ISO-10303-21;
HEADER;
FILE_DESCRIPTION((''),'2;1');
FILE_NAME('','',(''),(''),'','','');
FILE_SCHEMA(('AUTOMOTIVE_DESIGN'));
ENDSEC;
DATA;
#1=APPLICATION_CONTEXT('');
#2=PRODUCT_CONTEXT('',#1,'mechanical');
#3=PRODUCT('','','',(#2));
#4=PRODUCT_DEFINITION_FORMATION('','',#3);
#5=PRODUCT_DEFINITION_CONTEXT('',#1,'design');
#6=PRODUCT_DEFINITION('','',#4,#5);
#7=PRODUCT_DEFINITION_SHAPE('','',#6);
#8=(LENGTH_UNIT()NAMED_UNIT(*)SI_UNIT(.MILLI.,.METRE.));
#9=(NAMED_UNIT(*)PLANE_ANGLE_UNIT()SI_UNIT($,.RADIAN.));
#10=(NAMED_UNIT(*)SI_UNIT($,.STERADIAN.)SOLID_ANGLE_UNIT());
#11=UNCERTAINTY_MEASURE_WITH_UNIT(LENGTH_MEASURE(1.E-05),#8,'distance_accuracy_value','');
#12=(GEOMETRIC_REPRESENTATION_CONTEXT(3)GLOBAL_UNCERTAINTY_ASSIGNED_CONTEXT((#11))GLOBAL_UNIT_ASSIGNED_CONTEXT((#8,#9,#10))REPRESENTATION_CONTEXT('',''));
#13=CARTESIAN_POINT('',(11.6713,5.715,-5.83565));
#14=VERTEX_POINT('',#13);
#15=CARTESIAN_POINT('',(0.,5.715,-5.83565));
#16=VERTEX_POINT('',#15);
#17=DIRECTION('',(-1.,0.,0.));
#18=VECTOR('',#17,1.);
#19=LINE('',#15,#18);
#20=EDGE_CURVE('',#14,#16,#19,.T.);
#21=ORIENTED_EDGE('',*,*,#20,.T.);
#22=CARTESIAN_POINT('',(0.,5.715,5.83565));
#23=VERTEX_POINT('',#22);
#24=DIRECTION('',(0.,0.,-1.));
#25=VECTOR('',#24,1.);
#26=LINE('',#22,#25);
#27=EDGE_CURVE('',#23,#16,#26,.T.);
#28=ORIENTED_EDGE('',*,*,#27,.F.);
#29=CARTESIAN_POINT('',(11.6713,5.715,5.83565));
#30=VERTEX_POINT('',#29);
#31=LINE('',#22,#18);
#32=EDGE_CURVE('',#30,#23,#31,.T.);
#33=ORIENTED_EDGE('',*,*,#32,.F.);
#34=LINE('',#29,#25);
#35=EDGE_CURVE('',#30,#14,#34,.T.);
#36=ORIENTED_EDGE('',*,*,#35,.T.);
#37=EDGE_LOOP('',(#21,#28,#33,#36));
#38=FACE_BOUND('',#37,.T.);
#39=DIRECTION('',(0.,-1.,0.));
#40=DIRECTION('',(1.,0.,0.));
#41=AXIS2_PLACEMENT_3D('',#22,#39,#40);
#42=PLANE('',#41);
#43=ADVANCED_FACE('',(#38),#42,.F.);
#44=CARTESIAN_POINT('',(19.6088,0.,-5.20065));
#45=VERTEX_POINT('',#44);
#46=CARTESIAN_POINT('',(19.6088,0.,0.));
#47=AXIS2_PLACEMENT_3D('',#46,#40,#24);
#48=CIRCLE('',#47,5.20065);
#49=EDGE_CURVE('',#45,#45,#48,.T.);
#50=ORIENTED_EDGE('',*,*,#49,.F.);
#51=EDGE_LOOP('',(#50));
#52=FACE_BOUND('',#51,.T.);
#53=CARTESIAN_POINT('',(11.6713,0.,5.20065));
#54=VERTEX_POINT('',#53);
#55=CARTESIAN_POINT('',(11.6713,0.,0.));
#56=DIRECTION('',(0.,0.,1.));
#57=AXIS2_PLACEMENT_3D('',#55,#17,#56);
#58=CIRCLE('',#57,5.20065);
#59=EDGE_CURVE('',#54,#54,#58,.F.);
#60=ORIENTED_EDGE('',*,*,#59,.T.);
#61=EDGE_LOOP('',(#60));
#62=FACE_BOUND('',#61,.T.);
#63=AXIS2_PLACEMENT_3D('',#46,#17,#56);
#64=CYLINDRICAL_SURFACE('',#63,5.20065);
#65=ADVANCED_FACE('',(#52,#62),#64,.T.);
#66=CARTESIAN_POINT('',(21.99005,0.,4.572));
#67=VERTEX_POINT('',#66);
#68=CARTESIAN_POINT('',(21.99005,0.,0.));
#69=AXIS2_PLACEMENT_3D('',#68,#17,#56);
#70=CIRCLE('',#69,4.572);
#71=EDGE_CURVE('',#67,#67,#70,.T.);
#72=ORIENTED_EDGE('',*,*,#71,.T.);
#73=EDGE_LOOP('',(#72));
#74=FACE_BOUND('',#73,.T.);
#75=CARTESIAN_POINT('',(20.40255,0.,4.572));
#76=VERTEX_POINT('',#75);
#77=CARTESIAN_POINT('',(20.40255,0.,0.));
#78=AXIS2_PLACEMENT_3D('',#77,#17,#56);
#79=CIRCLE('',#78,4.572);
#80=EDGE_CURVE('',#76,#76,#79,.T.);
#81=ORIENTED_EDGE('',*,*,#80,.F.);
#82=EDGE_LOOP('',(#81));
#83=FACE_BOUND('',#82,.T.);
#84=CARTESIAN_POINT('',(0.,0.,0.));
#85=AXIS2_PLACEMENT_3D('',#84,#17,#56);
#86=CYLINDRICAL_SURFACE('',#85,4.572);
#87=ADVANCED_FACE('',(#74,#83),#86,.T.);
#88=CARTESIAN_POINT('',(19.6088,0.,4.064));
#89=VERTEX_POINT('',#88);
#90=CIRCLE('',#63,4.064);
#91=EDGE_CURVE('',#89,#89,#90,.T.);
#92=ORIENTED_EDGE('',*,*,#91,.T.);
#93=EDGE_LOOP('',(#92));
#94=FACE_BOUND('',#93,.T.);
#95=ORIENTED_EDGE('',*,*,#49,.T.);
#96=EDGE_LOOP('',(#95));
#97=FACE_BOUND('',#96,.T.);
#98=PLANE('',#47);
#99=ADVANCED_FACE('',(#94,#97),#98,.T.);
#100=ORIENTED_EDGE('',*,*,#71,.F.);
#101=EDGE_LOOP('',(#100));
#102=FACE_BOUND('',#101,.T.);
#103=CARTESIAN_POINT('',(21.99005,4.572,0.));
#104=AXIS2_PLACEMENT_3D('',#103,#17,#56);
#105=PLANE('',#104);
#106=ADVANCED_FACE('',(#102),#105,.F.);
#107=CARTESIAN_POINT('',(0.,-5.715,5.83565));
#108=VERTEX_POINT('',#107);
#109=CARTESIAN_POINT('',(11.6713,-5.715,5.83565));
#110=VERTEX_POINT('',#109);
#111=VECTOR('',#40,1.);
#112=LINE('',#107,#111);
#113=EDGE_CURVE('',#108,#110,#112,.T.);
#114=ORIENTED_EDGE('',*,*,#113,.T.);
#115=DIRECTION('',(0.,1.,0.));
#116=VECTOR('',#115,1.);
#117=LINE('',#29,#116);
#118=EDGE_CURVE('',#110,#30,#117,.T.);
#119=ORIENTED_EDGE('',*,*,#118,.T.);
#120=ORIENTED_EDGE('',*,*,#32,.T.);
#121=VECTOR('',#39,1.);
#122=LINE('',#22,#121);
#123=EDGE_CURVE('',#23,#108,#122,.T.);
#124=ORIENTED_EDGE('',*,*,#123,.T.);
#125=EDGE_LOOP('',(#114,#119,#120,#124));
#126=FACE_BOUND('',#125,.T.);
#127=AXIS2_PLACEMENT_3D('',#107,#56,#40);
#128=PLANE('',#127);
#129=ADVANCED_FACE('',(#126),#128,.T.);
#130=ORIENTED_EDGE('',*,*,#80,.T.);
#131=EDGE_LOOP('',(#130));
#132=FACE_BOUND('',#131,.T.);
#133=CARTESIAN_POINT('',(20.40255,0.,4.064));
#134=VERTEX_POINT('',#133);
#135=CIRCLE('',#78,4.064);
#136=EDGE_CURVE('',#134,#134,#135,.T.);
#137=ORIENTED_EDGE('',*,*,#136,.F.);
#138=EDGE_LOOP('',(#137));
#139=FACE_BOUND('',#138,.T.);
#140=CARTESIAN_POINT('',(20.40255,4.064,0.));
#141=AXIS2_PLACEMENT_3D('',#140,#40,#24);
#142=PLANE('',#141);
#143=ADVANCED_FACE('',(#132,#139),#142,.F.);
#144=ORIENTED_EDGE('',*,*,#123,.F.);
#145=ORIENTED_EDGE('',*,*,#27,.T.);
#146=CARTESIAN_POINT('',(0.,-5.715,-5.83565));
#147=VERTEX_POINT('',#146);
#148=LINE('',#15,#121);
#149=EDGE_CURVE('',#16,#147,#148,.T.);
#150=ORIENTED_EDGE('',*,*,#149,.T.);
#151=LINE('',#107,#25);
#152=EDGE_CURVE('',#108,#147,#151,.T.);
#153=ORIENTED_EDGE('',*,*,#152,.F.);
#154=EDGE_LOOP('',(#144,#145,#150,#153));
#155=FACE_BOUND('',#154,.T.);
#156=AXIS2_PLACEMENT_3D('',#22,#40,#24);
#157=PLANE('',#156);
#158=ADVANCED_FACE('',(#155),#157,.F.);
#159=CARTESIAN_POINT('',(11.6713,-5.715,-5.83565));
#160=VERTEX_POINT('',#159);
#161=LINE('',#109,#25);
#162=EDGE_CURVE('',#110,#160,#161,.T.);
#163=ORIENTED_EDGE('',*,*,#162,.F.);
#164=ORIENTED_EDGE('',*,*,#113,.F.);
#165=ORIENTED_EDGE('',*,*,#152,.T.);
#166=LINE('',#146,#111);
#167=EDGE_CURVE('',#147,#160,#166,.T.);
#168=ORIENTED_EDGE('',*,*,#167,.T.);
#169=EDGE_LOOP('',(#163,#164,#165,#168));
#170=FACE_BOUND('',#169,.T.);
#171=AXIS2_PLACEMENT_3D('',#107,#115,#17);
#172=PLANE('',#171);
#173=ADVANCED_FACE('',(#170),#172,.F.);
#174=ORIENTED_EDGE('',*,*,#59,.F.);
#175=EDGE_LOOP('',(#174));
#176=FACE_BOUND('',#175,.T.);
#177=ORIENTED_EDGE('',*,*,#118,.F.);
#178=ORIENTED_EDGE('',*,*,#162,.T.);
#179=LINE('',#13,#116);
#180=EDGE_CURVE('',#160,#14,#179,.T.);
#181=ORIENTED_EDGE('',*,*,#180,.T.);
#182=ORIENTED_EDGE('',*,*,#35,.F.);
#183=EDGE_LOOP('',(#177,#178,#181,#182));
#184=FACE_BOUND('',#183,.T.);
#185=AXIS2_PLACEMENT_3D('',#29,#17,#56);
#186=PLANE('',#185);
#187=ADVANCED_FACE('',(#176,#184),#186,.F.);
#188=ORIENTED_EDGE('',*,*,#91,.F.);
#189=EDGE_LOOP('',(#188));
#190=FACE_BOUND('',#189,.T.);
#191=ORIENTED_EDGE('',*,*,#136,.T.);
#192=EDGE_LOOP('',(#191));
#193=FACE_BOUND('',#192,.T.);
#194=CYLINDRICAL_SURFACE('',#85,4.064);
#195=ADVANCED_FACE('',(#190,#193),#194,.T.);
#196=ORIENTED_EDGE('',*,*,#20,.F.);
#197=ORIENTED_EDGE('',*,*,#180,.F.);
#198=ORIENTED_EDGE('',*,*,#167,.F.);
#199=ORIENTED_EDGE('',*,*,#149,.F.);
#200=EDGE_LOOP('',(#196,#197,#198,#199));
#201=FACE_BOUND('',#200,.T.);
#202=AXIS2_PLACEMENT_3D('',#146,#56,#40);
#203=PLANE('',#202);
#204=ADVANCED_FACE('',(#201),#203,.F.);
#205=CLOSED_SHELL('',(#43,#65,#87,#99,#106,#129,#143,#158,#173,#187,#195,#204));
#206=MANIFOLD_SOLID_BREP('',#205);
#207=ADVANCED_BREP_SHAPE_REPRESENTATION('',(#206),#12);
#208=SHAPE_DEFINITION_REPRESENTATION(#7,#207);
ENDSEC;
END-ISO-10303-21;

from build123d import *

# Parameters (mm, degrees)
SKETCH1_W           = 11.6713
SKETCH1_H           = 11.43
EXTRUDE1_DEPTH      = 5.83565
EXTRUDE1_DEPTH_BACK = 5.83565
SKETCH2_R           = 5.20065
EXTRUDE2_DEPTH      = 7.9375


with BuildPart() as part:
    # Sketch1 → Extrude1 (new body, two sides)
    with BuildSketch(Plane.XY) as extrude1_sk:
        with Locations((5.83565, 0)):
            Rectangle(SKETCH1_W, SKETCH1_H)
    extrude(amount=EXTRUDE1_DEPTH)
    extrude(extrude1_sk.sketch, amount=-EXTRUDE1_DEPTH_BACK)

    # Sketch2 → Extrude2 (add)
    with BuildSketch(Plane(origin=(11.6713, 0, 0), x_dir=(0, 0, -1), z_dir=(1, 0, 0))):
        Circle(SKETCH2_R)
    extrude(amount=EXTRUDE2_DEPTH)

    # Sketch3 → Revolve1 (revolve)
    with BuildSketch(Plane.XY):
        Polygon((19.6088, 0), (19.6088, 4.064), (20.40255, 4.064), (20.40255, 4.572), (21.99005, 4.572), (21.99005, 0), align=None)
    revolve(axis=Axis((0, 0, 0), (1, 0, 0)))


solid = part.part
